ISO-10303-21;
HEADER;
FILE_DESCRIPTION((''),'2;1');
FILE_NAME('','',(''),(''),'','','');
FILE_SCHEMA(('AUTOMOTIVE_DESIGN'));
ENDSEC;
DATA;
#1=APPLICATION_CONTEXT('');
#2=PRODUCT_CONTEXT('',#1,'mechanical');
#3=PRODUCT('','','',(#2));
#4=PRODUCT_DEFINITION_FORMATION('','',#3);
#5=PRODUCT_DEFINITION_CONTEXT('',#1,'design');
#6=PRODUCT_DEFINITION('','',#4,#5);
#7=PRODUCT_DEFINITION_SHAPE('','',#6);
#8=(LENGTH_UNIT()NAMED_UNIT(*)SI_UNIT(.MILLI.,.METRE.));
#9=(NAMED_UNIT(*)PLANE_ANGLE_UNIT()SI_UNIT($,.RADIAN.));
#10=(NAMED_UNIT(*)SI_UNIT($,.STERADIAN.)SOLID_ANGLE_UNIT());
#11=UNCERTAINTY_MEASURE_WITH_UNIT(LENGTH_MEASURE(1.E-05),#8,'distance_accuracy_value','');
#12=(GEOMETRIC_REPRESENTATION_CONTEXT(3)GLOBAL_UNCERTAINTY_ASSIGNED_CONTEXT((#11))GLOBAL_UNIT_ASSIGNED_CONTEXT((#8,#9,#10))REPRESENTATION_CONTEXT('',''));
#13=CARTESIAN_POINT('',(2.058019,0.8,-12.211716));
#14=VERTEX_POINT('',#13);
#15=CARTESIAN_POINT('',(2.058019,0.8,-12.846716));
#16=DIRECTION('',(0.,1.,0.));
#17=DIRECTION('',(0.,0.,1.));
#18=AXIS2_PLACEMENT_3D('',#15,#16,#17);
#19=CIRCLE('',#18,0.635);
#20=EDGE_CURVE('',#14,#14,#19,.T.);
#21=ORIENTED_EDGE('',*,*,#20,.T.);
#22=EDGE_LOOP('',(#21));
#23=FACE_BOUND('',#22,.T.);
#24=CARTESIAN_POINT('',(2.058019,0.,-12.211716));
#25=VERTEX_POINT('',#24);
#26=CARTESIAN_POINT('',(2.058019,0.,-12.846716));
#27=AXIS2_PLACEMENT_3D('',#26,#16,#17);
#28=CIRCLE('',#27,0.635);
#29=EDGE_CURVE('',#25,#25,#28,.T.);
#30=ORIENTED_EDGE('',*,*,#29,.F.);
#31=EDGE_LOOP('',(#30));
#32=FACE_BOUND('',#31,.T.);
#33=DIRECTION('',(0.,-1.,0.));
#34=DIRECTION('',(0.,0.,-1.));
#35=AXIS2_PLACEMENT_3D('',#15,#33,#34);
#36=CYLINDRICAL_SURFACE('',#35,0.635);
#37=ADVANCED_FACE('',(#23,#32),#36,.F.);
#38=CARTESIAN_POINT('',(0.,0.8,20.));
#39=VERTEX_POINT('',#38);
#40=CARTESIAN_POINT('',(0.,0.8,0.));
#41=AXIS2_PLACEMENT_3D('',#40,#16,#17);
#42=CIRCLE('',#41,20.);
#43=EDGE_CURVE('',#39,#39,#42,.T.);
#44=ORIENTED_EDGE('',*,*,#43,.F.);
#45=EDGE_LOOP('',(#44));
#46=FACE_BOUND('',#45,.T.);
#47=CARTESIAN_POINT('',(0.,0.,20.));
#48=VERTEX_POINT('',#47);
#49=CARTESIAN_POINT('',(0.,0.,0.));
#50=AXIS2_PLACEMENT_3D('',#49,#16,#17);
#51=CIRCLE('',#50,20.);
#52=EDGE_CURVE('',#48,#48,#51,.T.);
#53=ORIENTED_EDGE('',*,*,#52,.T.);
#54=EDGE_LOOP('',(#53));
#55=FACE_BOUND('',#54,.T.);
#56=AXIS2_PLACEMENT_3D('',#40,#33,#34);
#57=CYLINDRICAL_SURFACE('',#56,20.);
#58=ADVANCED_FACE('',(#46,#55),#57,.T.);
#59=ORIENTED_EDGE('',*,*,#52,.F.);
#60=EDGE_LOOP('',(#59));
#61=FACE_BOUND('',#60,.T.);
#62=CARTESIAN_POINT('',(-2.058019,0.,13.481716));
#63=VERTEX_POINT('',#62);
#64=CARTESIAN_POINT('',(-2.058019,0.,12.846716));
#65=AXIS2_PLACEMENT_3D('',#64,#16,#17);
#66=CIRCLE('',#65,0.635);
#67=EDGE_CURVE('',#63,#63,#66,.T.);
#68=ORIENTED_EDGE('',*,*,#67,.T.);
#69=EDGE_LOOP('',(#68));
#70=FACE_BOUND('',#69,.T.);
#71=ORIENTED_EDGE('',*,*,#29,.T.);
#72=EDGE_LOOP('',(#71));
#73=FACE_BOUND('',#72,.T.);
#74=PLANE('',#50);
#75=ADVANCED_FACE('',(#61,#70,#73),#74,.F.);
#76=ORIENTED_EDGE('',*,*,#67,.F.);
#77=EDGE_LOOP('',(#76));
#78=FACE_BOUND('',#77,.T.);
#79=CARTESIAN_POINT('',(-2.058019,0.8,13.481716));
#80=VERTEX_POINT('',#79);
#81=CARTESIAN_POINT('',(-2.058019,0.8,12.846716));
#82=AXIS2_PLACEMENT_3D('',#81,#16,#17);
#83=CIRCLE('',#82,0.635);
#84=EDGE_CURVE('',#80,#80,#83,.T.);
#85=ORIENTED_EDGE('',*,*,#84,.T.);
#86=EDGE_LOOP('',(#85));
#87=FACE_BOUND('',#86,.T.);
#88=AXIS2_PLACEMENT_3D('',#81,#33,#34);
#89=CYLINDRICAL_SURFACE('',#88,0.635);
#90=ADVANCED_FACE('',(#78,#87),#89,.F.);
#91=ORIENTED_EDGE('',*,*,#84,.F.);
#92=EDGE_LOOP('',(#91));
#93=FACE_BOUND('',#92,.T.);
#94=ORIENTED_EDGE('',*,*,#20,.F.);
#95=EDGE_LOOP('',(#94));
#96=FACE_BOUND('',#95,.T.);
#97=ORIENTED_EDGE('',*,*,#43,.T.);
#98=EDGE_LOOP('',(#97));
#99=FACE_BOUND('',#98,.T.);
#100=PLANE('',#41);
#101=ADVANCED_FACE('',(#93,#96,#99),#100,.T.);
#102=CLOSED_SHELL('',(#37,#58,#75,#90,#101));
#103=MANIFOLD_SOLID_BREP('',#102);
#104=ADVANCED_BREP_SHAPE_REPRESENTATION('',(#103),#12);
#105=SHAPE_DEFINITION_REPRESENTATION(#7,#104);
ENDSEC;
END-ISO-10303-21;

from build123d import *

# Parameters (mm, degrees)
SKETCH1_R   = 20
SKETCH1_R_2 = 0.635
PCB_DEPTH   = 0.8


with BuildPart() as part:
    # Sketch1 → PCB (new body)
    with BuildSketch(Plane(origin=(0, 0, 0), x_dir=(1, 0, 0), z_dir=(0, 1, 0))):
        with Locations(Location((0, 0, 0), (0, 0, 270))):
            Circle(SKETCH1_R)
        with Locations(Location((2.05801875, 12.846715625, 0), (0, 0, 270))):
            Circle(SKETCH1_R_2, mode=Mode.SUBTRACT)
        with Locations(Location((-2.05801875, -12.846715625, 0), (0, 0, 270))):
            Circle(SKETCH1_R_2, mode=Mode.SUBTRACT)
    extrude(amount=PCB_DEPTH)


solid = part.part
